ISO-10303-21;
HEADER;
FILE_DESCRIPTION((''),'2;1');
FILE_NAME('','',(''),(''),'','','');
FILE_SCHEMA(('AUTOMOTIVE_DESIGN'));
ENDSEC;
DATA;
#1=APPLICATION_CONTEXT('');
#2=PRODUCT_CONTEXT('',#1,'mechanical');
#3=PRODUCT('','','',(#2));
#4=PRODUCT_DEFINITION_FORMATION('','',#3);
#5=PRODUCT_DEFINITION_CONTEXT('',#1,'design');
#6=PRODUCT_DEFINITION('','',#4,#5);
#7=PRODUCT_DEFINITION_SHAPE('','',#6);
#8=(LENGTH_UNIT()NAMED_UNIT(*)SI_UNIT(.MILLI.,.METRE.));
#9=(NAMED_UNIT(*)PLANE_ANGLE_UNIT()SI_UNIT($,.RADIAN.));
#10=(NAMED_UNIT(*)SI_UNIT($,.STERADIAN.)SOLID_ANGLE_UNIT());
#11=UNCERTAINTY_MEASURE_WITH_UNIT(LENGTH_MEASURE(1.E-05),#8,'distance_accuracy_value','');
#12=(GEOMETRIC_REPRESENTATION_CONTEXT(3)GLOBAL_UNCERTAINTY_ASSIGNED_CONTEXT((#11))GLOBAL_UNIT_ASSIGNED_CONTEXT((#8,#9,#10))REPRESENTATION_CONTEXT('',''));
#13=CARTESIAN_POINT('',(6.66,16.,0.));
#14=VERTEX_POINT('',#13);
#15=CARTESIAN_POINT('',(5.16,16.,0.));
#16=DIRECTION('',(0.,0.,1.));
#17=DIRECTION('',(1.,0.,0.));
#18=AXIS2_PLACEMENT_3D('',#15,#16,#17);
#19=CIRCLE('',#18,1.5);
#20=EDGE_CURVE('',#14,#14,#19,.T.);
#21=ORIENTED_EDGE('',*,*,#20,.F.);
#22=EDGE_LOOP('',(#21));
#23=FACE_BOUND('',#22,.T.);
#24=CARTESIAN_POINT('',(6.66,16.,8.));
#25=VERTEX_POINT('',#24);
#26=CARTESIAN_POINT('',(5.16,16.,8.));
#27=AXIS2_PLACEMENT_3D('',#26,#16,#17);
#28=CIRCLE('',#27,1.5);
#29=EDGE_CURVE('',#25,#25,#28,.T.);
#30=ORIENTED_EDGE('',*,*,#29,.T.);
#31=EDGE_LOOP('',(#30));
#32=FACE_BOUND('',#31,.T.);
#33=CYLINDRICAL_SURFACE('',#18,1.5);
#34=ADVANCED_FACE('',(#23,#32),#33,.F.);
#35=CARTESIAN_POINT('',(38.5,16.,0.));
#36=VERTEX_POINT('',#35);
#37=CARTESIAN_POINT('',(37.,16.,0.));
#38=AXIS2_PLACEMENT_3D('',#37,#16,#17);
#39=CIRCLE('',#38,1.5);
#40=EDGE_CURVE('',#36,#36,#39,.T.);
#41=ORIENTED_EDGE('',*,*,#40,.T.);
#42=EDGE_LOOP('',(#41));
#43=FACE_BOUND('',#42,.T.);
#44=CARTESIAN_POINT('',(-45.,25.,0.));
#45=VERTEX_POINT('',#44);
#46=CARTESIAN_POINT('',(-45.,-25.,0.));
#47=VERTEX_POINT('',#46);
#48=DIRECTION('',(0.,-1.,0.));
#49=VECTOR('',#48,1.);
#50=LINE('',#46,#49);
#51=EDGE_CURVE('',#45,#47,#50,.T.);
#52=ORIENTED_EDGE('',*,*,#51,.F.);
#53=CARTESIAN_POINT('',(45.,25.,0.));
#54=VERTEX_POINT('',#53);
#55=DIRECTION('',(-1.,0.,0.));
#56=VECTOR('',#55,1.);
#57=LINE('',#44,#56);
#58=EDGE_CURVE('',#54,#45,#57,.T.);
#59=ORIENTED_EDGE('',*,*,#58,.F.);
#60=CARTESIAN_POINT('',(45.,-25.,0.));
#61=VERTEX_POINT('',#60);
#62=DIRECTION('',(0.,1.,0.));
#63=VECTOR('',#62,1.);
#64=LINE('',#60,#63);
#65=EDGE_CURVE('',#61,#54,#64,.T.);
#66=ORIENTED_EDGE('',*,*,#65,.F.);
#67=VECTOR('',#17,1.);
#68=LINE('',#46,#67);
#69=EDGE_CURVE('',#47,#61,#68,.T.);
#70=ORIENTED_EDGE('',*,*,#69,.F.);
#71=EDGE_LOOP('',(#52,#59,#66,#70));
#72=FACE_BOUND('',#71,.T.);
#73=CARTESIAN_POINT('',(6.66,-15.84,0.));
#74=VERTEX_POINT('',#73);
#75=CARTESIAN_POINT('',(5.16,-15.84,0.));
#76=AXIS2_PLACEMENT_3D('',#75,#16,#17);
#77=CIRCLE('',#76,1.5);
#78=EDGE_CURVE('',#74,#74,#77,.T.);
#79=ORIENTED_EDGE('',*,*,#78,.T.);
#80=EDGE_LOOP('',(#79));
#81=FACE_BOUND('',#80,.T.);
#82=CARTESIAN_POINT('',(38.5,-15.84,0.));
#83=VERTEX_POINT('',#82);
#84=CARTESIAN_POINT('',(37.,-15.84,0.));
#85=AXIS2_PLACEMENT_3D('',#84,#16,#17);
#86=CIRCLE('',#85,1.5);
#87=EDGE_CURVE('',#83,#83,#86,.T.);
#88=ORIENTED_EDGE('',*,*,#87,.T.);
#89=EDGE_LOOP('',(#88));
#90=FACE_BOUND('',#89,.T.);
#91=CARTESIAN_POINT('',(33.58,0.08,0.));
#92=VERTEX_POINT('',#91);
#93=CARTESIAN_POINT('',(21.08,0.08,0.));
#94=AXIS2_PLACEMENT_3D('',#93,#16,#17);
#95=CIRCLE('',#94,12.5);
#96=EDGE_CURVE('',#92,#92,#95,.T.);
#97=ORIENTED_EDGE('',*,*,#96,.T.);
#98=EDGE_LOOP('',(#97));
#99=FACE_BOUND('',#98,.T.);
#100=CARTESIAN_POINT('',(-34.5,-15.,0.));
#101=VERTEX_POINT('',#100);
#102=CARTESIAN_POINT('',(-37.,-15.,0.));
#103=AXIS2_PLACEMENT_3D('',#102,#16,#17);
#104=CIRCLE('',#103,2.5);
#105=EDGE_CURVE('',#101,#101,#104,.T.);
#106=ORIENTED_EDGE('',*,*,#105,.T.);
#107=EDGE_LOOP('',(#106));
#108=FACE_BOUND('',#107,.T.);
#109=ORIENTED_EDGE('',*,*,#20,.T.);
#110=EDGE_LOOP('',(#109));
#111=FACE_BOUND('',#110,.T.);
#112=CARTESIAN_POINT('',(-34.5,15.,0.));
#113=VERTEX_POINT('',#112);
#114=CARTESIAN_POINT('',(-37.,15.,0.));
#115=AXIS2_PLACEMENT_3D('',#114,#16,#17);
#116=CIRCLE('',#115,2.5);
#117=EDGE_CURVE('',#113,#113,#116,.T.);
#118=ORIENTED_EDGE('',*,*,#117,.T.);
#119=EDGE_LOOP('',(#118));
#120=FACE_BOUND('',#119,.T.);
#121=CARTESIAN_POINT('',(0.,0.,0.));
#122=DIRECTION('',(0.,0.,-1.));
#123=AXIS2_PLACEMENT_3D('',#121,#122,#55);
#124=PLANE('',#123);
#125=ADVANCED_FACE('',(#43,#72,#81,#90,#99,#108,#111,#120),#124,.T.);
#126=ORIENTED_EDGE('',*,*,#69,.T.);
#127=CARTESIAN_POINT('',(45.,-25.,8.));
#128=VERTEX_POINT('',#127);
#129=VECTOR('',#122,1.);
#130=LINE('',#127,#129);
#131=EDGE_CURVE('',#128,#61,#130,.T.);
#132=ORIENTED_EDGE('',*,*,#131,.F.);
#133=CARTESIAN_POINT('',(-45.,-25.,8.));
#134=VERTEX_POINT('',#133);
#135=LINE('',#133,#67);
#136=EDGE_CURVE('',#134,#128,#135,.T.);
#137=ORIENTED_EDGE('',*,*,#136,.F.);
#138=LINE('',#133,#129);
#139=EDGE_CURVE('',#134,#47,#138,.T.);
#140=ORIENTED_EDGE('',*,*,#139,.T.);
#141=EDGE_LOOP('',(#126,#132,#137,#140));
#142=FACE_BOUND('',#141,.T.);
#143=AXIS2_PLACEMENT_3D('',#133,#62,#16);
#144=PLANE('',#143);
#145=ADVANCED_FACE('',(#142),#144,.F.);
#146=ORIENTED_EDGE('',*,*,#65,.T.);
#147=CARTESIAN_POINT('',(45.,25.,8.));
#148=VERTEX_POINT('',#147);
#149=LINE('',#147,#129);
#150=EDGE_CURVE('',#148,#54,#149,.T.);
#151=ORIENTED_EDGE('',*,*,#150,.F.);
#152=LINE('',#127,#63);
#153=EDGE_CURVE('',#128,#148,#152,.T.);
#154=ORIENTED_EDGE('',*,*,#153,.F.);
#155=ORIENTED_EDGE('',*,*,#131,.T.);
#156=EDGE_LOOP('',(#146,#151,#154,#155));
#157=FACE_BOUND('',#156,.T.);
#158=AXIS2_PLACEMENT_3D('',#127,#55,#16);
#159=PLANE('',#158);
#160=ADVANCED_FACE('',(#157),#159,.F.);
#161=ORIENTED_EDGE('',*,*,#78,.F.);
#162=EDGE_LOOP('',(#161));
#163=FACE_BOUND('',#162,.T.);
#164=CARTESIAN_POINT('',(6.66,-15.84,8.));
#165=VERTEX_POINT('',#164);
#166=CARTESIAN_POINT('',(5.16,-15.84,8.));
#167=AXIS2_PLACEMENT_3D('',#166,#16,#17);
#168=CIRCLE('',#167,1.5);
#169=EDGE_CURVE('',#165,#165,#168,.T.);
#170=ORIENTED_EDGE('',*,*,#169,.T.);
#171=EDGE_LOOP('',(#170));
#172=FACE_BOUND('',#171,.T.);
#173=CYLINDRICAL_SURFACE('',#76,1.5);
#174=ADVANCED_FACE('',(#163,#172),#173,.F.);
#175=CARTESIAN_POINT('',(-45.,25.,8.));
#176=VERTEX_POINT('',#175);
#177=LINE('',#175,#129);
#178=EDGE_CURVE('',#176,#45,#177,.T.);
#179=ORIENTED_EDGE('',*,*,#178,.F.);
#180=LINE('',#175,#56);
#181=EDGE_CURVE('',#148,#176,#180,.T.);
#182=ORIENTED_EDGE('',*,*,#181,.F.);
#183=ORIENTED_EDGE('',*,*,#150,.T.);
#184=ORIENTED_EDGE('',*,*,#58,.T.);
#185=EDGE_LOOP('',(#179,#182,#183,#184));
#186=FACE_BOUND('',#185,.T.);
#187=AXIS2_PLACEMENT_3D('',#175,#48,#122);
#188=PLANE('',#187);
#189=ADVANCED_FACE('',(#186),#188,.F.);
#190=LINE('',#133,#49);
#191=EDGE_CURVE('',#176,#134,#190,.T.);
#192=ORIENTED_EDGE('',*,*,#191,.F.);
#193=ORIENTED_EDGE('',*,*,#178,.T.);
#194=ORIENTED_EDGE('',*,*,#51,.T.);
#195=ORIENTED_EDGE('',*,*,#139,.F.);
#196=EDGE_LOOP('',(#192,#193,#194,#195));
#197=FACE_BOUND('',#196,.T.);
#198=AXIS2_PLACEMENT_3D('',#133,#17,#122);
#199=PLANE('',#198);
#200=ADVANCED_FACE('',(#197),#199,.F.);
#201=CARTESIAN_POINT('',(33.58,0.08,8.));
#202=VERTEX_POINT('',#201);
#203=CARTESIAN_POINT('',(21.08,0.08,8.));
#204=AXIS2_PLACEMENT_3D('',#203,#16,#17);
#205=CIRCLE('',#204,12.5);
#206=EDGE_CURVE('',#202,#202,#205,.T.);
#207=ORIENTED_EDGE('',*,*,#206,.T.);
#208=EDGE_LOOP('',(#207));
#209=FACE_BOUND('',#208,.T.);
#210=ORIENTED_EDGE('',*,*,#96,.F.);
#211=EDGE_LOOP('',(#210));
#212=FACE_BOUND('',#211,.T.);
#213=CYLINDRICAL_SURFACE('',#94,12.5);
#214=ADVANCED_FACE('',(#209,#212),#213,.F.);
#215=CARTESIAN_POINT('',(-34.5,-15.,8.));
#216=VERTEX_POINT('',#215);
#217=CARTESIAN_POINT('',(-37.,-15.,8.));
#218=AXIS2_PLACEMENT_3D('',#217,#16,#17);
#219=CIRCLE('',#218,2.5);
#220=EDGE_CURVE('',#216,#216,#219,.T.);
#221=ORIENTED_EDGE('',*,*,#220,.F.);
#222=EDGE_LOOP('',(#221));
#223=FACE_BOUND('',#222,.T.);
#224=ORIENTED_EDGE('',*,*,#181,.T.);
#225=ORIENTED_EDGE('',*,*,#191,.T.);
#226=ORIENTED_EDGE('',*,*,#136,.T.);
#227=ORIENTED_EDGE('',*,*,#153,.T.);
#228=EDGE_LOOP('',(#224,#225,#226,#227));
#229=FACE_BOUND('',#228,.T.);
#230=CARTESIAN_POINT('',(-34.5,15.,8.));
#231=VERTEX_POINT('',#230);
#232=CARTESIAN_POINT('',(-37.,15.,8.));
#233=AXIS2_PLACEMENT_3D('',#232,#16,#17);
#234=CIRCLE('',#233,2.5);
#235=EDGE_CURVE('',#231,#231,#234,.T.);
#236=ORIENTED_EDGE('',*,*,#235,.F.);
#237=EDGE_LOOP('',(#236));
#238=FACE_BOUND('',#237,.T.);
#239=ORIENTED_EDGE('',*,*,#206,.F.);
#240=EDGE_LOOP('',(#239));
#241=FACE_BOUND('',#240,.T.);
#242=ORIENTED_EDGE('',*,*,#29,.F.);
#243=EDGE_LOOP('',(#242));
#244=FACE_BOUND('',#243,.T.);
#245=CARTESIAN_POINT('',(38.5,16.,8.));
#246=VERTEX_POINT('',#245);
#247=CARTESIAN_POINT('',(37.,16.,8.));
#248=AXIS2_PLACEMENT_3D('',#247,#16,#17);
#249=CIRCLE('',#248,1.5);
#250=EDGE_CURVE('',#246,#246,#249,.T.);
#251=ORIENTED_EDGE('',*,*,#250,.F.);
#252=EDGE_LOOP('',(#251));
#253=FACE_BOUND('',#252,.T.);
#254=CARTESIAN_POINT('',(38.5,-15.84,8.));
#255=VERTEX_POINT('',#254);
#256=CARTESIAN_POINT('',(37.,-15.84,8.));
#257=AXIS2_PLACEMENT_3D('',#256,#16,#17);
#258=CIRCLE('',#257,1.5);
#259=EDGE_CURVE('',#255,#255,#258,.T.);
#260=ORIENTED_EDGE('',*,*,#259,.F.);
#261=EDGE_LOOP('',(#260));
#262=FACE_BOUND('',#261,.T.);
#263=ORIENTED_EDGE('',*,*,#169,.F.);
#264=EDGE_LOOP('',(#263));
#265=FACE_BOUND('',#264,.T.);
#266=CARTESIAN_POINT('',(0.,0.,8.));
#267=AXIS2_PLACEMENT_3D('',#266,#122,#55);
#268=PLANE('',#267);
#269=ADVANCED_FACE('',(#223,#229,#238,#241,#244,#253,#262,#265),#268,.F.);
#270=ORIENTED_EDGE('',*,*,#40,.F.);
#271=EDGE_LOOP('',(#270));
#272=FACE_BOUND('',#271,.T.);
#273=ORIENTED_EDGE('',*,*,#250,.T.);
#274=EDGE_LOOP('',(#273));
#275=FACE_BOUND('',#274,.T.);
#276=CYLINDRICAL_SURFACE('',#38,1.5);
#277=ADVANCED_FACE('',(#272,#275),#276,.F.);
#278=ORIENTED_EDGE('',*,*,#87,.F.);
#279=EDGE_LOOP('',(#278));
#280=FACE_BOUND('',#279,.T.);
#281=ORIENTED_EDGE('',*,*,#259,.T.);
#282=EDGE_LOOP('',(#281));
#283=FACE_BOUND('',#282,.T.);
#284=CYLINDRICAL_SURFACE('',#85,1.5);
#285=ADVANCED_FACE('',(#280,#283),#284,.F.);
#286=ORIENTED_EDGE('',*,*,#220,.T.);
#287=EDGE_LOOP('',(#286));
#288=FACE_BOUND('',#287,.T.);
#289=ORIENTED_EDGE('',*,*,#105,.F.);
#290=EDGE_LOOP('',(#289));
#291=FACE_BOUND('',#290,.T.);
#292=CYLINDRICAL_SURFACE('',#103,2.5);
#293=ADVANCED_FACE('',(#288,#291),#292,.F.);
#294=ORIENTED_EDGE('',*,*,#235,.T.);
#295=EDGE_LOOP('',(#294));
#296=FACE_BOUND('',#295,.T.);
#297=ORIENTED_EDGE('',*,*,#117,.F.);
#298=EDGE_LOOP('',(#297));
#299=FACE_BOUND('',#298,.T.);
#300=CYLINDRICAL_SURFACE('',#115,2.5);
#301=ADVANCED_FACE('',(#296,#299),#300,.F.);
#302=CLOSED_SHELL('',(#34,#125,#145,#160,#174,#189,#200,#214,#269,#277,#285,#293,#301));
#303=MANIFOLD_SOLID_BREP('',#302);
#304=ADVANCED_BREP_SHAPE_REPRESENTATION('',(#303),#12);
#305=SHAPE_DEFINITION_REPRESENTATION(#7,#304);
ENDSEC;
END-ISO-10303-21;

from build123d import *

# Parameters (mm, degrees)
SKETCH1_W           = 90
SKETCH1_H           = 50
BOSS_EXTRUDE1_DEPTH = 8
SKETCH2_R           = 12.5
SKETCH2_R_2         = 1.5
SKETCH2_R_3         = 2.5
CUT_EXTRUDE1_DEPTH  = 8


with BuildPart() as part:
    # Sketch1 → Boss-Extrude1 (new body)
    with BuildSketch(Plane.XY):
        Rectangle(SKETCH1_W, SKETCH1_H)
    extrude(amount=BOSS_EXTRUDE1_DEPTH)

    # Sketch2 → Cut-Extrude1 (cut)
    with BuildSketch(Plane.XY.offset(8)):
        with Locations((21.08, 0.08)):
            Circle(SKETCH2_R)
        with Locations((37, -15.84)):
            Circle(SKETCH2_R_2)
        with Locations((-37, -15)):
            Circle(SKETCH2_R_3)
        with Locations((5.16, -15.84)):
            Circle(SKETCH2_R_2)
        with Locations((37, 16)):
            Circle(SKETCH2_R_2)
        with Locations((5.16, 16)):
            Circle(SKETCH2_R_2)
        with Locations((-37, 15)):
            Circle(SKETCH2_R_3)
    extrude(amount=-CUT_EXTRUDE1_DEPTH, mode=Mode.SUBTRACT)


solid = part.part
